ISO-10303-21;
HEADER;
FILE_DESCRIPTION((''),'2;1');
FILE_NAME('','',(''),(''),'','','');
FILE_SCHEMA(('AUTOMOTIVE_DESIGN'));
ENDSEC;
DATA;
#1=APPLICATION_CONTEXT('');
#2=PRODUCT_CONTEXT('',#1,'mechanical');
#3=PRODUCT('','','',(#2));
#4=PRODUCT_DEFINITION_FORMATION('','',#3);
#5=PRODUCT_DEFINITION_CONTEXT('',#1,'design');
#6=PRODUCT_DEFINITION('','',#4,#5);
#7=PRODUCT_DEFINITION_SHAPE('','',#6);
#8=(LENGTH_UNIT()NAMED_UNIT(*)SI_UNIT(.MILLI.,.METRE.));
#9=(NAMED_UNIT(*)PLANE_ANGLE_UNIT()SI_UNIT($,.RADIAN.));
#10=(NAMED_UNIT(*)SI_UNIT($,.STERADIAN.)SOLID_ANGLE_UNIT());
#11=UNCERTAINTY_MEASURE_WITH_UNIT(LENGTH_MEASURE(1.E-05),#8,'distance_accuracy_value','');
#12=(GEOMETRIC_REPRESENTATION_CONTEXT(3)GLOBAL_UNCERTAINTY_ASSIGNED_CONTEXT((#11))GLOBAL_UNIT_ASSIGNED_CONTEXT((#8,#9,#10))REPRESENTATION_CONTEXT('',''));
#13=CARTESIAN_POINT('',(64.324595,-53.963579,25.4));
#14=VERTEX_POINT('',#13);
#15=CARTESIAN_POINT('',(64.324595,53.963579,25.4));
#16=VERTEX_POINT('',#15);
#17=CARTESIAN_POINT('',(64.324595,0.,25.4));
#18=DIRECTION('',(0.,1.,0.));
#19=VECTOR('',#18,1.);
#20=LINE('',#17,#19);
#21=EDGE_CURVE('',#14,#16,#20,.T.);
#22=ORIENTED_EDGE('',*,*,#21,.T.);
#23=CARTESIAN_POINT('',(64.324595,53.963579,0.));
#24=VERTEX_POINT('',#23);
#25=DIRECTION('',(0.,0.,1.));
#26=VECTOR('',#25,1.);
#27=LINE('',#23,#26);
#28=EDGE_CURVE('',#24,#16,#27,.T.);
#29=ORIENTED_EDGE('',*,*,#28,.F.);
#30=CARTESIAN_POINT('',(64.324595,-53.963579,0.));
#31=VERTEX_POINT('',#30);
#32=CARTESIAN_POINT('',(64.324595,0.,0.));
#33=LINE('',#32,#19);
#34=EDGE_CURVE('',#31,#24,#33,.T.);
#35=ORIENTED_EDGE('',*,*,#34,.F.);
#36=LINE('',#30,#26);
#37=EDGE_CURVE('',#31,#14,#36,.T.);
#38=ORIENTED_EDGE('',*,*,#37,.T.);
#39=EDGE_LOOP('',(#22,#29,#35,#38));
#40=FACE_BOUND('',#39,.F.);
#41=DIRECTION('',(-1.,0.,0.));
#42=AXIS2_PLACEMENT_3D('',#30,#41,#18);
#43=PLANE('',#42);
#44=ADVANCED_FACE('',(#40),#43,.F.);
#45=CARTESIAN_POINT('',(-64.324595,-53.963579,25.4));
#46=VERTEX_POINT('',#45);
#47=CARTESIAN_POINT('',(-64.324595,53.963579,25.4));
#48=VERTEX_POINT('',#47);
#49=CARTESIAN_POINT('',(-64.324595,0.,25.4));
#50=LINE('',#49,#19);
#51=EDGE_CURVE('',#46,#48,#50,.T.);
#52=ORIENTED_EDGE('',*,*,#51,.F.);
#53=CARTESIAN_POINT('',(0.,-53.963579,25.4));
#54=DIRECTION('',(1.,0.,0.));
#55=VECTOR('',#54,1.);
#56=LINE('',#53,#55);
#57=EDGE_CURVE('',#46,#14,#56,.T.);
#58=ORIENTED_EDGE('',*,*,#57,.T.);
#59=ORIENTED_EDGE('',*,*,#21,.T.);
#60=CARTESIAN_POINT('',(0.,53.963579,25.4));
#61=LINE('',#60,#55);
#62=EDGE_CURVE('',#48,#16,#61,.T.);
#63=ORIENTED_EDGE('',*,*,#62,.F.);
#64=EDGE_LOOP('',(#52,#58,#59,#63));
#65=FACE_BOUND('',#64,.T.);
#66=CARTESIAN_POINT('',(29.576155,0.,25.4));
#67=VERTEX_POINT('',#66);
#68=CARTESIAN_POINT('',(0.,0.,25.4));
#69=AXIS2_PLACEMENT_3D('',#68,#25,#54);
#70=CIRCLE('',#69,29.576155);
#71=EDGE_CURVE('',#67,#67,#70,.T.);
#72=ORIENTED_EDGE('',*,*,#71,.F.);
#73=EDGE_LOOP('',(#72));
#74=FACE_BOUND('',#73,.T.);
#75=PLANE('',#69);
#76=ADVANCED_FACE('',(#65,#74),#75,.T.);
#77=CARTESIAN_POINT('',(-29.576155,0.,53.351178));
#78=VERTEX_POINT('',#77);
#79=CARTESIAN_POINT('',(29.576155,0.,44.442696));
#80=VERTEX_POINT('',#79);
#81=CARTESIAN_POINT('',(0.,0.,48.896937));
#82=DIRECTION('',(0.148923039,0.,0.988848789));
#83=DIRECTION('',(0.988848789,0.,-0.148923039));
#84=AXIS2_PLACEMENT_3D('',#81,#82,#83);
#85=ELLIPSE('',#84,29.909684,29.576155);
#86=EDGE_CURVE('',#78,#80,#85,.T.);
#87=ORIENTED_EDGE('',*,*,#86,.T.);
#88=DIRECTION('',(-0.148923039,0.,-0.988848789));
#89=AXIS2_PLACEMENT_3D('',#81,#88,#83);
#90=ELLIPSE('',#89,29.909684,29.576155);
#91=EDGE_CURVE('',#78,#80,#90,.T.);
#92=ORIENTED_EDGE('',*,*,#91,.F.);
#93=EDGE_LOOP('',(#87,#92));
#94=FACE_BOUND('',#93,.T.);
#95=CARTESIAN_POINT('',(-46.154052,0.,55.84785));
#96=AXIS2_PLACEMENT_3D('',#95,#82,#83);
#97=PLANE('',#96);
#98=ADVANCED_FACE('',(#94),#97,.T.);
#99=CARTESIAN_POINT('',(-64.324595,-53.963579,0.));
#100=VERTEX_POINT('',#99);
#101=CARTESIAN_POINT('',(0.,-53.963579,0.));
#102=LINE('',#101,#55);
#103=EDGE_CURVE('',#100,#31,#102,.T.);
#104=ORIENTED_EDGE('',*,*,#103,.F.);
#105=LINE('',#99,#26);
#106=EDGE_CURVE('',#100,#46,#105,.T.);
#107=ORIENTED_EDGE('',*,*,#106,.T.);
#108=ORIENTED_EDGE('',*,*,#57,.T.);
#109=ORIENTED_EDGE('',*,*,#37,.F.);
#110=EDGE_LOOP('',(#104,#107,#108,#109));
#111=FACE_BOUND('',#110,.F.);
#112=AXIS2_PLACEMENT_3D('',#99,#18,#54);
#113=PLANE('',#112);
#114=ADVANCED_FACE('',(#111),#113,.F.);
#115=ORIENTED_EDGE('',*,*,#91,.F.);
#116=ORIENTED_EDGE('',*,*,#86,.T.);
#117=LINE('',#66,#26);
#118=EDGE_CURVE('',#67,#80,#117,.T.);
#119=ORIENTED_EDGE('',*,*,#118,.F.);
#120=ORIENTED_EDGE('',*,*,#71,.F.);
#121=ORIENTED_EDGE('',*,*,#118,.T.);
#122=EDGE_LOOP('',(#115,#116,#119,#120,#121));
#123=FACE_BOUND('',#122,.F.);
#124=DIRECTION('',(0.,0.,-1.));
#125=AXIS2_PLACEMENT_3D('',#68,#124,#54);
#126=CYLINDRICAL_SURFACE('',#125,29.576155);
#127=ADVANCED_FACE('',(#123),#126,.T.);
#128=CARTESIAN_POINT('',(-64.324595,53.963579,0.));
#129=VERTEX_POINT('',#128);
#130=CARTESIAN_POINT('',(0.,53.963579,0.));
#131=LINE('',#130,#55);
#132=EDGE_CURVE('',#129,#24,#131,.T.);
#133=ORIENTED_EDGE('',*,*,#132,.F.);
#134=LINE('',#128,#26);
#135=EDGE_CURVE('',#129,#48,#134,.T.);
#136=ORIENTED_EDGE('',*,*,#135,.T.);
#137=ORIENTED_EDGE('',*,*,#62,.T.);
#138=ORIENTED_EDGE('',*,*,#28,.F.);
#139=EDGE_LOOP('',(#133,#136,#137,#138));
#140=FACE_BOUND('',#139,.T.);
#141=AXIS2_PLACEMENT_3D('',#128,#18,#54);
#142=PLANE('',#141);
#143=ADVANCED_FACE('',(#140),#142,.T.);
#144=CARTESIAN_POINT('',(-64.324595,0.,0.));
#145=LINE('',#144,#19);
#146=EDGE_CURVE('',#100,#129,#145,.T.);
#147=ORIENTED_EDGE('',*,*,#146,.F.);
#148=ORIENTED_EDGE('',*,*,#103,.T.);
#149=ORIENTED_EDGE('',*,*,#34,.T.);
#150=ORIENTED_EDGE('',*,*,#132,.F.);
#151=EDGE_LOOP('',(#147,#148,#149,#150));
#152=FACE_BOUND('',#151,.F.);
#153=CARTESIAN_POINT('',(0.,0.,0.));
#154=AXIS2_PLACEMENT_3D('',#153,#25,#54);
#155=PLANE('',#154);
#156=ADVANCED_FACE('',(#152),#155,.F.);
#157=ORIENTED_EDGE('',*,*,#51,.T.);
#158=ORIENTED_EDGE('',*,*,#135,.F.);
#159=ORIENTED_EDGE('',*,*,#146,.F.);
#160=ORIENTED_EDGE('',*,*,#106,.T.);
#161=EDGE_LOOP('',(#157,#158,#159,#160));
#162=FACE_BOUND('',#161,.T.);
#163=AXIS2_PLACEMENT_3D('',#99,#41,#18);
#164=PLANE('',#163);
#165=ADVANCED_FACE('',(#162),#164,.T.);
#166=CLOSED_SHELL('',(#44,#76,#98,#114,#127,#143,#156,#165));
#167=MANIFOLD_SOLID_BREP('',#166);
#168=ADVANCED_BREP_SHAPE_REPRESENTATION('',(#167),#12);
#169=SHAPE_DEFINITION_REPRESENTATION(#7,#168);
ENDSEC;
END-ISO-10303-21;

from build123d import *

# Parameters (mm, degrees)
F0_W     = 128.64919
F0_H     = 107.927158
F1_DEPTH = 25.4
F3_R     = 29.576155
F4_DEPTH = 36.322
F6_DEPTH = 38.1
F7_DEPTH = 62.992


with BuildPart() as f1:
    # F0 (on Top) → F1 (new body)
    with BuildSketch(Plane.XY):
        Rectangle(F0_W, F0_H)
    extrude(amount=F1_DEPTH)

    # F3 (on face) → F4 (join)
    with BuildSketch(Plane.XY.offset(25.4)):
        Circle(F3_R)
    extrude(amount=F4_DEPTH)

    # F5 (on Front) → F6 (cut)
    with BuildSketch(Plane.XZ):
        Polygon((-54.256331, 60.477722), (-46.154052, 55.84785), (49.91582, 41.379493), (30.238859, 72.631143), align=None)
    extrude(amount=-F6_DEPTH, mode=Mode.SUBTRACT)

    # F5 (on Front) → F7 (cut)
    with BuildSketch(Plane.XZ):
        Polygon((-54.256331, 60.477722), (-46.154052, 55.84785), (49.91582, 41.379493), (30.238859, 72.631143), align=None)
    extrude(amount=F7_DEPTH, mode=Mode.SUBTRACT)


solid = f1.part
